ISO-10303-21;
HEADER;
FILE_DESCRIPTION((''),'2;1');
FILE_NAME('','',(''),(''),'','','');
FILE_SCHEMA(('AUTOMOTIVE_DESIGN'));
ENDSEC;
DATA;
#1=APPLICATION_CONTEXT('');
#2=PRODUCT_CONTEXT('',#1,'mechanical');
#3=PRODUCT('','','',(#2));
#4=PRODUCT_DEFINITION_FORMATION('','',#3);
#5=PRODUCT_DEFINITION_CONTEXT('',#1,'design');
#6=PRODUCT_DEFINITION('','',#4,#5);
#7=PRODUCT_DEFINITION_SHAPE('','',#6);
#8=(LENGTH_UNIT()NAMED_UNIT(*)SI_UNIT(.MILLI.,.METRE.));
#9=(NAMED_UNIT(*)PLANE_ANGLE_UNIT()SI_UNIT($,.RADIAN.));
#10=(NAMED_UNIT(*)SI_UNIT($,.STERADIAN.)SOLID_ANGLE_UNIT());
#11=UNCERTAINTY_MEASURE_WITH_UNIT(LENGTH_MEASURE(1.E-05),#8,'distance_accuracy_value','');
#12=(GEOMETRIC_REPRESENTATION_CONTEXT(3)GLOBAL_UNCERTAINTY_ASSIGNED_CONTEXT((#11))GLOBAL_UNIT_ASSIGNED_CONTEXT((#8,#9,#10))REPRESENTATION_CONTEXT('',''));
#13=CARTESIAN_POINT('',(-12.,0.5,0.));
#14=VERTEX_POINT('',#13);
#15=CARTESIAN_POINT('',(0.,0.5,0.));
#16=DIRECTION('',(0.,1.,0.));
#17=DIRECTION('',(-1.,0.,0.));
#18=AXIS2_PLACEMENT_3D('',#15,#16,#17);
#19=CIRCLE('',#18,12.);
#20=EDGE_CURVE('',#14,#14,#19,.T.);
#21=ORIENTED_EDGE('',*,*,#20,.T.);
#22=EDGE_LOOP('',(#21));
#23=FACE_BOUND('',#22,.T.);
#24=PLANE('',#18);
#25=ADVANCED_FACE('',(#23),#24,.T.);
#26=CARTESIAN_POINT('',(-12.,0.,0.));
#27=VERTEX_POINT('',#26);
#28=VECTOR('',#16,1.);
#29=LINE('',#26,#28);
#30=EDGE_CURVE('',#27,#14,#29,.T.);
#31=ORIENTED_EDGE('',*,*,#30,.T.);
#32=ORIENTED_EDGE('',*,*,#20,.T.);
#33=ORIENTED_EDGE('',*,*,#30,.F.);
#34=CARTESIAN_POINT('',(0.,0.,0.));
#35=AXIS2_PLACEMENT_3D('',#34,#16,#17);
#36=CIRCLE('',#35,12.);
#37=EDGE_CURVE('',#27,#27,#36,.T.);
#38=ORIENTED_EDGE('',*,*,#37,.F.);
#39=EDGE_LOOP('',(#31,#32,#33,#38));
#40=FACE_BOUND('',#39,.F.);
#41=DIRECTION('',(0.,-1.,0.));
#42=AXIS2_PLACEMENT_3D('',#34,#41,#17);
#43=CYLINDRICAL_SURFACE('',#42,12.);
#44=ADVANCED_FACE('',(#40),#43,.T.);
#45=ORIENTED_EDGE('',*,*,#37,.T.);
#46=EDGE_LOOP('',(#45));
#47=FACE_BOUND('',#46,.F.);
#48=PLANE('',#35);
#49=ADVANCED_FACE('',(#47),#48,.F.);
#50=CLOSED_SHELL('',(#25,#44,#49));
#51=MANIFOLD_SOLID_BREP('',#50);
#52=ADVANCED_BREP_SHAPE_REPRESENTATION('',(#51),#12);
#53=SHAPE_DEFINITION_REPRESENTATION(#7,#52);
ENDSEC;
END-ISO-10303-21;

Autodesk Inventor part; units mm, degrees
ref_plane "YZ Plane" through (0, 0, 0) normal (1, 0, 0) x (0, 1, 0)
ref_plane "XZ Plane" through (0, 0, 0) normal (0, 1, 0) x (-1, 0, 0)
ref_plane "XY Plane" through (0, 0, 0) normal (0, 0, 1) x (1, 0, 0)
sketch "スケッチ1" plane through (0, 0, 0) normal (0, 1, 0) x (-1, 0, 0)
  circle A0 centre (0, 0) radius 12
  dimension "d0" = 24
extrude "押し出し1" add sketch "スケッチ1" along normal blind 0.5
properties part number "substrate" material "ブロンズ、鋳造"
